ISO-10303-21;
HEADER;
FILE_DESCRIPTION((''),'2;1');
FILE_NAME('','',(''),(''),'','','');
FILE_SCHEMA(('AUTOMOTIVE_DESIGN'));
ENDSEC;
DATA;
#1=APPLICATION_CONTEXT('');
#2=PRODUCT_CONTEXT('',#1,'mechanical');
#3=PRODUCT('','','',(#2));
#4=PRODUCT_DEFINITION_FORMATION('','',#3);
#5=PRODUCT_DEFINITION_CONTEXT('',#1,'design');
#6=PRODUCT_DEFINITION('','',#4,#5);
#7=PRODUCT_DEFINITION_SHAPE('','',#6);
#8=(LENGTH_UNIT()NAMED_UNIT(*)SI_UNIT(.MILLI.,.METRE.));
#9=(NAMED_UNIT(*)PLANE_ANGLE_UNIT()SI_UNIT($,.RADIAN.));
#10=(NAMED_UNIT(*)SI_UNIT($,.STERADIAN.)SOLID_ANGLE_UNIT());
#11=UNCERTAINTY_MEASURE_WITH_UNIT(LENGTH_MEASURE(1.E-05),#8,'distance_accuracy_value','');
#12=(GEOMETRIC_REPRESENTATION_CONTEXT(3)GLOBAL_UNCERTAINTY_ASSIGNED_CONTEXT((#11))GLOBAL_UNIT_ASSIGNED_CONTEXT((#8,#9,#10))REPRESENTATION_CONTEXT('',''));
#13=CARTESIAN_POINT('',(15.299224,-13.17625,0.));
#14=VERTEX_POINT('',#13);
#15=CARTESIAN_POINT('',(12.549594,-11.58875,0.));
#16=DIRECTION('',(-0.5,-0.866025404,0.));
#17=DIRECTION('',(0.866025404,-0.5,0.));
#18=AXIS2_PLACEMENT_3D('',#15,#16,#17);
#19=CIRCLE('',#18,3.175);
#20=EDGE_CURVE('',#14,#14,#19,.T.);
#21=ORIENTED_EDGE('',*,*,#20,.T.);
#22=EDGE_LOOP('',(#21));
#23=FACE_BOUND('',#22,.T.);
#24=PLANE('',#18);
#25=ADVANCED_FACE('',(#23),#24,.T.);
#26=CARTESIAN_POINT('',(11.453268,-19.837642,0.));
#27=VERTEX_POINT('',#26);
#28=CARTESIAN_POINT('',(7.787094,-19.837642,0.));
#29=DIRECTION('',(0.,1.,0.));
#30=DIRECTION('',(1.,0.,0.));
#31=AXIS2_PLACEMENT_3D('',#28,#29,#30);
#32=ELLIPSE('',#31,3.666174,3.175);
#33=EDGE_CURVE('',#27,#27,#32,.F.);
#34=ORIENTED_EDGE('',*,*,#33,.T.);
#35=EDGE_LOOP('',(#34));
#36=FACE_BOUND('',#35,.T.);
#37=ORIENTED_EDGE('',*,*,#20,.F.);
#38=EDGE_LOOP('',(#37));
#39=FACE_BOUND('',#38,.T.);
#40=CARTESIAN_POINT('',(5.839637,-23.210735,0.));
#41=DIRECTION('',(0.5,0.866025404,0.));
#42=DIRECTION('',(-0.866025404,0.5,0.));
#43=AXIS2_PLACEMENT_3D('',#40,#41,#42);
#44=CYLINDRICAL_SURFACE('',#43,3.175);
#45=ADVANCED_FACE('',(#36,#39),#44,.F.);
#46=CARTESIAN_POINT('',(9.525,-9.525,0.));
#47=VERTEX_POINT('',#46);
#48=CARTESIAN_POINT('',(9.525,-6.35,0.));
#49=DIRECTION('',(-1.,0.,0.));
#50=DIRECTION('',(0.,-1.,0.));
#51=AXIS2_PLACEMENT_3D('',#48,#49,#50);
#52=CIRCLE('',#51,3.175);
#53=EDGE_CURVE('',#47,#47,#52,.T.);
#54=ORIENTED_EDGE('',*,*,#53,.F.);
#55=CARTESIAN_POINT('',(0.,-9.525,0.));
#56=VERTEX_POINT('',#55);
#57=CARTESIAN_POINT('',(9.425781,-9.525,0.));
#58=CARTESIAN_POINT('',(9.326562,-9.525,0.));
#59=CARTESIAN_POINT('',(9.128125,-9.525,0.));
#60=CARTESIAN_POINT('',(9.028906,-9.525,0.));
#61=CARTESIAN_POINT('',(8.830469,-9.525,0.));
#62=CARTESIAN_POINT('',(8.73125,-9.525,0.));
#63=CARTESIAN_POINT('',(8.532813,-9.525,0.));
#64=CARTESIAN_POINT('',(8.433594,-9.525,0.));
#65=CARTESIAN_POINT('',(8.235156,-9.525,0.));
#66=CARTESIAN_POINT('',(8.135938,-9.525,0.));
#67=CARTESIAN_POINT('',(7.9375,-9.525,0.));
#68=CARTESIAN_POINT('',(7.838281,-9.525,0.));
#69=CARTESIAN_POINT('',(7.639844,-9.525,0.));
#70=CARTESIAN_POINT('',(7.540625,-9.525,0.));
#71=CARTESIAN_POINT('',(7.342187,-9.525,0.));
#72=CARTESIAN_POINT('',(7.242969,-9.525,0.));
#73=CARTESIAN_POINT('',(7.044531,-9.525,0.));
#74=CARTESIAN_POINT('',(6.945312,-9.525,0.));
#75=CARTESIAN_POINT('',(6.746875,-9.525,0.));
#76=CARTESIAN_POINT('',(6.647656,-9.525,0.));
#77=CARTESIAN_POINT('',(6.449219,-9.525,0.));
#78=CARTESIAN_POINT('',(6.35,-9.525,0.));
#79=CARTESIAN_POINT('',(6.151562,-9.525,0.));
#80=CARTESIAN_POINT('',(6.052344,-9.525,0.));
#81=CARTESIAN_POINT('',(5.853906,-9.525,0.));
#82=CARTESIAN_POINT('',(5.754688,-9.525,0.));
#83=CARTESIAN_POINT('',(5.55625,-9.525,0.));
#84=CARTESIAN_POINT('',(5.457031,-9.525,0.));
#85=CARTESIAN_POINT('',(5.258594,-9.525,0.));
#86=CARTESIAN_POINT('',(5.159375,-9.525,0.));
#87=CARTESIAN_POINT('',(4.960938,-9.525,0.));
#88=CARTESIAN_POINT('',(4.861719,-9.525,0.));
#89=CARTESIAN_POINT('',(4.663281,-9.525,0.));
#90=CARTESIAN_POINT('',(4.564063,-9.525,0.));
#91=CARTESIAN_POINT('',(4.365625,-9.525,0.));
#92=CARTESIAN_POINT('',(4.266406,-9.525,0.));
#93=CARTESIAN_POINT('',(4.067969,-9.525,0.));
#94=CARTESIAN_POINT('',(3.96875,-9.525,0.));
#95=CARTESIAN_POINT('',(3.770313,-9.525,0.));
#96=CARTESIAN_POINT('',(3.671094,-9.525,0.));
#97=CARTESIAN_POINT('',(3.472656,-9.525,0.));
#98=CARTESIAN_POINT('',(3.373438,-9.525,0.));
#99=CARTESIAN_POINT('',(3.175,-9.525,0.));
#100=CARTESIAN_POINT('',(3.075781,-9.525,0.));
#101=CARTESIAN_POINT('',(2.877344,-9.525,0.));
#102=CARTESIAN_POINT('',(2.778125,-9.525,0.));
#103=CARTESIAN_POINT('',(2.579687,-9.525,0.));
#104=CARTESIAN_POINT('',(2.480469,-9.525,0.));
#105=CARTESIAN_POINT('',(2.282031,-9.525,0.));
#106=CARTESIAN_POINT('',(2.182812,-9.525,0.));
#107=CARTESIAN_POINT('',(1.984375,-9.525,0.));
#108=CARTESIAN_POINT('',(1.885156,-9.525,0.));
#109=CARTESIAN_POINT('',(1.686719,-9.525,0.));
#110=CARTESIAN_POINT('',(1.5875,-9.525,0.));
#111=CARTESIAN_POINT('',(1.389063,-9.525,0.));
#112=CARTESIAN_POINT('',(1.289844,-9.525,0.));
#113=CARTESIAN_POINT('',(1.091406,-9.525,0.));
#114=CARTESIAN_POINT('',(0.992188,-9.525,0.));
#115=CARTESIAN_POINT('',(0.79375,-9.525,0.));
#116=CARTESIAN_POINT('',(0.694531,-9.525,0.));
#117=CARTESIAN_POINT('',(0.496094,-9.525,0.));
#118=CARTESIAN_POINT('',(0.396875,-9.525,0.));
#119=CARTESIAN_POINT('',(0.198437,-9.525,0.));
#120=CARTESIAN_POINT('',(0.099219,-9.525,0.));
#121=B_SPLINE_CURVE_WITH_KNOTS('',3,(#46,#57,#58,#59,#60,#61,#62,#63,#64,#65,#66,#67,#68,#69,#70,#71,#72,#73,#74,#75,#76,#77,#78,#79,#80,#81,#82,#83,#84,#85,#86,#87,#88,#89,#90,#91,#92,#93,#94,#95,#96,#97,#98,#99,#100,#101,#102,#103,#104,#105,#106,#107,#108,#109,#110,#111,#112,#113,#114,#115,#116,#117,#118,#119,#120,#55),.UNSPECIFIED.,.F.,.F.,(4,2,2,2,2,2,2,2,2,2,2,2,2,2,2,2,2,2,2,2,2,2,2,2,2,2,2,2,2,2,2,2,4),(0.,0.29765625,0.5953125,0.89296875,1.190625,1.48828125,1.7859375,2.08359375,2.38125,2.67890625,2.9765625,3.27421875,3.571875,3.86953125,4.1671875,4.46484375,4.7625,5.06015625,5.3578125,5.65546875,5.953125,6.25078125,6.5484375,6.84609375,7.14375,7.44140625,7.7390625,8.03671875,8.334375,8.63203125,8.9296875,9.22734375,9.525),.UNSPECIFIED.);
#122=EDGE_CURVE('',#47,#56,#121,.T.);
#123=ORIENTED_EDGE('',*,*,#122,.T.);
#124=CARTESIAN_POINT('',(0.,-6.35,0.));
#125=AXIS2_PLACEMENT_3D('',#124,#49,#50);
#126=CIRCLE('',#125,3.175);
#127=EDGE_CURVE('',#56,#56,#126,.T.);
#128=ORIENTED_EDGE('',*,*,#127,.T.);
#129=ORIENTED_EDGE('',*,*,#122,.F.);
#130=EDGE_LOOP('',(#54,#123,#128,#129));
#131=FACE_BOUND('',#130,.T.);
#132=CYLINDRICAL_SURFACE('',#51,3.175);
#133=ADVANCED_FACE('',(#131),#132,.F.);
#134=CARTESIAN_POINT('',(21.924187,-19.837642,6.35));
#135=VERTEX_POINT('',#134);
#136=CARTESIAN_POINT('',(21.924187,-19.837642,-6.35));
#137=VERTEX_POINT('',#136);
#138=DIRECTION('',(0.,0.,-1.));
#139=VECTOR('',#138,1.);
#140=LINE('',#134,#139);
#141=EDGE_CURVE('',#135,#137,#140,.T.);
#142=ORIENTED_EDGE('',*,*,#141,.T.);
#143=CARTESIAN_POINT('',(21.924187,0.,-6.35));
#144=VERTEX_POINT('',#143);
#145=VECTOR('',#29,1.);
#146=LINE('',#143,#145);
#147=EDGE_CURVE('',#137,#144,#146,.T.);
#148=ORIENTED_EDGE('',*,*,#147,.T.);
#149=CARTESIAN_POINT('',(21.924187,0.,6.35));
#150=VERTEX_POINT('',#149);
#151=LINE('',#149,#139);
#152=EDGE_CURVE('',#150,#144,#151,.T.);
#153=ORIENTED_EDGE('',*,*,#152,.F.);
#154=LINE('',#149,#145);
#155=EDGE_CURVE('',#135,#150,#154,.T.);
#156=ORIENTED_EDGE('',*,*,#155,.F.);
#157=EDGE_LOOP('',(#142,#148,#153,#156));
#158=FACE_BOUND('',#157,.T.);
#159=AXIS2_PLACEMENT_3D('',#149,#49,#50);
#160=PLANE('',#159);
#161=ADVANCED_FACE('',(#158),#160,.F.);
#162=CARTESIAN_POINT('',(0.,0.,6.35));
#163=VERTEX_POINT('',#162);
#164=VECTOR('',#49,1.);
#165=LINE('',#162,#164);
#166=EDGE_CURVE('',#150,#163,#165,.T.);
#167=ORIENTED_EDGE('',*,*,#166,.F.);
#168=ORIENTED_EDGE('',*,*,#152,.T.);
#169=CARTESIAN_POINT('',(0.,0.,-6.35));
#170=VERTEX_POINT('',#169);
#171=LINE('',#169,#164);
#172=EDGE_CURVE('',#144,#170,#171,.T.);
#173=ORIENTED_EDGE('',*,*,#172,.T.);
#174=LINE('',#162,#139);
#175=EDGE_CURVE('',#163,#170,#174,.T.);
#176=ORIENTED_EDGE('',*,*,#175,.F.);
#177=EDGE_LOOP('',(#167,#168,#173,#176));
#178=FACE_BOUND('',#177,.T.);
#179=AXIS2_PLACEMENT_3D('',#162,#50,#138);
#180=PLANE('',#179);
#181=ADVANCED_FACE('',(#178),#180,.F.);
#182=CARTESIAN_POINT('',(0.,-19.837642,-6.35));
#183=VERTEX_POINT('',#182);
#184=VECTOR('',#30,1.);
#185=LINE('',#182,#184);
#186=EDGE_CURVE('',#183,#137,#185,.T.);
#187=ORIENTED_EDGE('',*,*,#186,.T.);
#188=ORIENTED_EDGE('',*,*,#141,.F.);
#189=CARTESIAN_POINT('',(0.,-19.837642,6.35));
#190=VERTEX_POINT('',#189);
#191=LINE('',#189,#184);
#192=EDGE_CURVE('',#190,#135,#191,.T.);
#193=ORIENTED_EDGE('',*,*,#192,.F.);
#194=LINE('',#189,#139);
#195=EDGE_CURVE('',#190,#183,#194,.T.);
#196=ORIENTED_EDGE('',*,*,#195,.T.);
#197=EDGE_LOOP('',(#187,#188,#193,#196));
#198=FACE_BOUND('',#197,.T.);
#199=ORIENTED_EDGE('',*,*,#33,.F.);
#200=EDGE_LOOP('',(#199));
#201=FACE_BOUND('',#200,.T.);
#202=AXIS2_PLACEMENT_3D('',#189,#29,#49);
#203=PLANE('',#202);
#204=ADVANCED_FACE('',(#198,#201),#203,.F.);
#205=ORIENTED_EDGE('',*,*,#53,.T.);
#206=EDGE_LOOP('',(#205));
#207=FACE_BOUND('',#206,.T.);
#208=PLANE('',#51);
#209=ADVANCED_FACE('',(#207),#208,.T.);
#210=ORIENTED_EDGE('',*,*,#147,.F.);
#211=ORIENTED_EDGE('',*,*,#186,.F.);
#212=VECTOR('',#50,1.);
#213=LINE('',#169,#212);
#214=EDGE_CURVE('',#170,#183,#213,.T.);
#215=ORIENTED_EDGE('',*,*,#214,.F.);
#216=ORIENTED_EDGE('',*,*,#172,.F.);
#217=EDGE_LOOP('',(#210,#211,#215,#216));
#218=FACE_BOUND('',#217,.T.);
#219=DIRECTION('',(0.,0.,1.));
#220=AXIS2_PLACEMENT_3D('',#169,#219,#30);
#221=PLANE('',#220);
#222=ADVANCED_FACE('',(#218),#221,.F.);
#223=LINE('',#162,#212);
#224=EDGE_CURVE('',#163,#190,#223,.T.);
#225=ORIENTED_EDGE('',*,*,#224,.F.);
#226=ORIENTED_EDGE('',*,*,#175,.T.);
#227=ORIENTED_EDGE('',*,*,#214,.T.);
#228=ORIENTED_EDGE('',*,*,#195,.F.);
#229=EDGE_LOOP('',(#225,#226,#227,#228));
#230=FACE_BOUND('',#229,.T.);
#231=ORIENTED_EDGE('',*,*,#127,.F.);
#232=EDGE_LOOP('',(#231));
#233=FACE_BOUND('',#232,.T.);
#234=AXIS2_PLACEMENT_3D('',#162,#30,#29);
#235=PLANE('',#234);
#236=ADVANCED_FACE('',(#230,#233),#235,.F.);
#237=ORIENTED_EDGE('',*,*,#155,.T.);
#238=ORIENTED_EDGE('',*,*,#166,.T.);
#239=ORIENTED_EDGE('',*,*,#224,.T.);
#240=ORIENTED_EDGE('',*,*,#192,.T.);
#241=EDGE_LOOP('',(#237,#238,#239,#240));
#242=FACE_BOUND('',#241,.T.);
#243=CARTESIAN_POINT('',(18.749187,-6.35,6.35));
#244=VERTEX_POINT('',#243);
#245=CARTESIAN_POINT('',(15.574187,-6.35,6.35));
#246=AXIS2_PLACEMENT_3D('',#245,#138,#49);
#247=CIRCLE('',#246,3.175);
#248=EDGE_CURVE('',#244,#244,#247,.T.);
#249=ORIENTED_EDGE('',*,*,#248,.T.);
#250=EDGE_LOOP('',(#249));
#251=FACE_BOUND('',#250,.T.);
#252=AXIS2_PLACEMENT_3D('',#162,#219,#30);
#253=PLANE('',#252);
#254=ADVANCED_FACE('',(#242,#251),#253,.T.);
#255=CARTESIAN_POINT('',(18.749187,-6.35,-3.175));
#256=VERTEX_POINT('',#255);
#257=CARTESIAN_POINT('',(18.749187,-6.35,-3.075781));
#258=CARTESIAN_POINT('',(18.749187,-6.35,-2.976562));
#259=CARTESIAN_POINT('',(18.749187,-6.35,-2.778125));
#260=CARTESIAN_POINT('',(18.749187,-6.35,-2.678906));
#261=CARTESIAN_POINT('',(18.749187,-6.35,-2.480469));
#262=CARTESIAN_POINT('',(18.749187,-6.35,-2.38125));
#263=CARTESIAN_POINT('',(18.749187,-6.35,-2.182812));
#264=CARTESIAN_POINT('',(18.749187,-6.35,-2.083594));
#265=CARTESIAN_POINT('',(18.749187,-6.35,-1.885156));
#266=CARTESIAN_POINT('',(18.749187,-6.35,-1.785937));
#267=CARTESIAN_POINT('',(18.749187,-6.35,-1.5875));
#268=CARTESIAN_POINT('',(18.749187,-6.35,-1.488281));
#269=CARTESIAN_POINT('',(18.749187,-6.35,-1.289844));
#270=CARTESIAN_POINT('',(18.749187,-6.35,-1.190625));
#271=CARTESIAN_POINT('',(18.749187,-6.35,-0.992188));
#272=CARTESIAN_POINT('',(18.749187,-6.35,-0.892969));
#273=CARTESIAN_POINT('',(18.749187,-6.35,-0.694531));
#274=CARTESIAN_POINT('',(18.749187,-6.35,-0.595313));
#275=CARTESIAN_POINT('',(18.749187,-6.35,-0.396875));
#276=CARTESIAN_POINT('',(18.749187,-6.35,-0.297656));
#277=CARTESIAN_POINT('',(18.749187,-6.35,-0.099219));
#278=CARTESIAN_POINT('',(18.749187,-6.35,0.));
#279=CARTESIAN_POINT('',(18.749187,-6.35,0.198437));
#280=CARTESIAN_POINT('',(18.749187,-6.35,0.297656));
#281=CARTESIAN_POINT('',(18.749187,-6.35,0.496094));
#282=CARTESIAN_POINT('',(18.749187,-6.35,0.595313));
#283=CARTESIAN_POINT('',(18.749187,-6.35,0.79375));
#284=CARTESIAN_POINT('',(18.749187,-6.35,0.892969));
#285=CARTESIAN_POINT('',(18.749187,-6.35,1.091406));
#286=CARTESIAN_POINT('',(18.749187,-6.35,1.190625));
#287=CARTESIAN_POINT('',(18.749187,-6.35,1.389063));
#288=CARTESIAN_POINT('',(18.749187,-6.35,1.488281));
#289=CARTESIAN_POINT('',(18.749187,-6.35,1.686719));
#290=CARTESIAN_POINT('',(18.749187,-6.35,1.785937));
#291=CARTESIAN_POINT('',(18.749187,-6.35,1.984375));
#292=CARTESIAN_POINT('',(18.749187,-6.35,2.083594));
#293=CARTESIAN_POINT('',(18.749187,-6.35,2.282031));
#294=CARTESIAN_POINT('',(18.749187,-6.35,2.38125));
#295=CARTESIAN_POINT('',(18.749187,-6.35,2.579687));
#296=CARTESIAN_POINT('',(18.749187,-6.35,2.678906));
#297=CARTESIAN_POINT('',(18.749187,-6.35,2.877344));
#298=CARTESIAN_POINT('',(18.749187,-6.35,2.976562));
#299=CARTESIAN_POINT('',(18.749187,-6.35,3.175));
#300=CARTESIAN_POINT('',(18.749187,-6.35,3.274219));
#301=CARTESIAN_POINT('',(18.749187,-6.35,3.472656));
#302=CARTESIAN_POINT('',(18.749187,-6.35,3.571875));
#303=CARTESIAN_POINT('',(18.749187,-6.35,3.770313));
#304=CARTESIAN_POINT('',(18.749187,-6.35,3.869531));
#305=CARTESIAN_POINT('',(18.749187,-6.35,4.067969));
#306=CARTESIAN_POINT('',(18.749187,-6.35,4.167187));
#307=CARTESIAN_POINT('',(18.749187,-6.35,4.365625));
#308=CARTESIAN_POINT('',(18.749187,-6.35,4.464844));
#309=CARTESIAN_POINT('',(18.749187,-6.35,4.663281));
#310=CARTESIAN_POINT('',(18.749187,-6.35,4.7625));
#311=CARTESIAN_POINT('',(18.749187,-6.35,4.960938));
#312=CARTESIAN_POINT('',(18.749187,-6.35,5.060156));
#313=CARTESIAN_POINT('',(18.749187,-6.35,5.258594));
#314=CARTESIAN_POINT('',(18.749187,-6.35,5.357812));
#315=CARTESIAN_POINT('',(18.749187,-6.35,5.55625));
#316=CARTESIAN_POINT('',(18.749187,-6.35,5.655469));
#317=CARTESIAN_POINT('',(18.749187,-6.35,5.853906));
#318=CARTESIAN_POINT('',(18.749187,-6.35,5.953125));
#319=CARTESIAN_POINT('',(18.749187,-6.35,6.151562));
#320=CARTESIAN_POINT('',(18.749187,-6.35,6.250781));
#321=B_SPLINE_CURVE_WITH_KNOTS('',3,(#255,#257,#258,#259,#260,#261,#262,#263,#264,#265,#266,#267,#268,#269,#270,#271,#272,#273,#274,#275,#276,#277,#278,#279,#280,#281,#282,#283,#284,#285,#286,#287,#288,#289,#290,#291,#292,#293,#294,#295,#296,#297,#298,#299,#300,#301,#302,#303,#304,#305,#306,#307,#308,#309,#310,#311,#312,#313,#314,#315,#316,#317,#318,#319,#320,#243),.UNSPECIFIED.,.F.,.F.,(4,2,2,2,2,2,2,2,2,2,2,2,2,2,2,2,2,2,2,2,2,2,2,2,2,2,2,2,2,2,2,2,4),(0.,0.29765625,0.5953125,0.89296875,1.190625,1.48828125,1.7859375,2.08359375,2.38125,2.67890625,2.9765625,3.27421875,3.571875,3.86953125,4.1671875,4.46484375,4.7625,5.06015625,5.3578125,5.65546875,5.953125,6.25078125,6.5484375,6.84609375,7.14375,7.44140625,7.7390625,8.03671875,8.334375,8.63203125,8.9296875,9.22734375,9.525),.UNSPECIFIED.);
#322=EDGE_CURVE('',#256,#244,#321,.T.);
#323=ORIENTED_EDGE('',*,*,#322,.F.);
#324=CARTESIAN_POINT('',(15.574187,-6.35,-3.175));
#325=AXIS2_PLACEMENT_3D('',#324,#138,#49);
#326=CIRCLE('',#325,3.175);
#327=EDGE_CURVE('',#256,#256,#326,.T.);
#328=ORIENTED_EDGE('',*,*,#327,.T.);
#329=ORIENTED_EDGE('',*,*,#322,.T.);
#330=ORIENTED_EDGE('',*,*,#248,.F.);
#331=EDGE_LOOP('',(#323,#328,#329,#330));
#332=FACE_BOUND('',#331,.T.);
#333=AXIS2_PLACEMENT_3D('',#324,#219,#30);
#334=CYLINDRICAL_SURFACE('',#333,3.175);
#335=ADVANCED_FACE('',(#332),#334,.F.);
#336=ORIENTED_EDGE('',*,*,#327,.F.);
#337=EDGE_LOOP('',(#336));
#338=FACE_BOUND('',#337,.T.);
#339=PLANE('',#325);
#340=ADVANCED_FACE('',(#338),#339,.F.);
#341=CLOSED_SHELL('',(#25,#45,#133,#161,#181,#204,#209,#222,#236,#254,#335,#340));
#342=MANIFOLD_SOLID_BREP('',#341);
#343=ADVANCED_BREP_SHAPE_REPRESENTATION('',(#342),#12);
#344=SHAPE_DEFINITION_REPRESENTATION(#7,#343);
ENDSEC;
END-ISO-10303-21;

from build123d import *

# Parameters (mm, degrees)
SKETCH3_W                      = 21.924187445
SKETCH3_H                      = 19.837641971
BOSS_EXTRUDE1_DEPTH            = 6.35
SKETCH4_R                      = 3.175
CUT_EXTRUDE1_DEPTH             = 9.525
SKETCH5_R                      = 3.175
CUT_EXTRUDE5_DEPTH             = 9.525
CUT_EXTRUDE5_DIRECTION_2_REACH = 27.174
SKETCH6_R                      = 3.175
CUT_EXTRUDE6_DEPTH             = 9.525


with BuildPart() as part:
    # Sketch3 → Boss-Extrude1 (new, symmetric)
    with BuildSketch(Plane.XY):
        with Locations((10.962093723, -9.918820986)):
            Rectangle(SKETCH3_W, SKETCH3_H)
    extrude(amount=BOSS_EXTRUDE1_DEPTH, both=True)

    # Sketch4 → Cut-Extrude1 (cut)
    with BuildSketch(Plane.ZY):
        with Locations(Location((0, -6.35, 0), (0, 0, 270))):
            Circle(SKETCH4_R)
    extrude(amount=-CUT_EXTRUDE1_DEPTH, mode=Mode.SUBTRACT)

    # Sketch5 → Cut-Extrude5 (cut)
    with BuildSketch(Plane(origin=(7.787093723, -19.837641971, 0), x_dir=(-0.8660254037844382, 0.500000000000001, 0), z_dir=(-0.500000000000001, -0.8660254037844382, 0))):
        with Locations(Location((0, 0, 0), (0, 0, 180))):
            Circle(SKETCH5_R)
    extrude(amount=-CUT_EXTRUDE5_DEPTH, mode=Mode.SUBTRACT)

    # Sketch5 → Cut-Extrude5 direction 2 (cut, up to next)
    with BuildSketch(Plane(origin=(7.787093723, -19.837641971, 0), x_dir=(-0.8660254037844382, 0.500000000000001, 0), z_dir=(-0.500000000000001, -0.8660254037844382, 0)), mode=Mode.PRIVATE) as cut_extrude5_direction_2_sk1:
        with Locations(Location((0, 0, 0), (0, 0, 180))):
            Circle(SKETCH5_R)
    cut_extrude5_direction_2_tool1 = extrude(cut_extrude5_direction_2_sk1.sketch, amount=CUT_EXTRUDE5_DIRECTION_2_REACH, mode=Mode.PRIVATE) & part.part
    add(cut_extrude5_direction_2_tool1.solids().sort_by_distance((7.787094, -19.837642, 0))[0], mode=Mode.SUBTRACT)

    # Sketch6 → Cut-Extrude6 (cut)
    with BuildSketch(Plane(origin=(0, 0, 6.35), x_dir=(-1, 0, 0), z_dir=(0, 0, -1))):
        with Locations(Location((-15.574187445, -6.35, 0), (0, 0, 180))):
            Circle(SKETCH6_R)
    extrude(amount=CUT_EXTRUDE6_DEPTH, mode=Mode.SUBTRACT)


solid = part.part
